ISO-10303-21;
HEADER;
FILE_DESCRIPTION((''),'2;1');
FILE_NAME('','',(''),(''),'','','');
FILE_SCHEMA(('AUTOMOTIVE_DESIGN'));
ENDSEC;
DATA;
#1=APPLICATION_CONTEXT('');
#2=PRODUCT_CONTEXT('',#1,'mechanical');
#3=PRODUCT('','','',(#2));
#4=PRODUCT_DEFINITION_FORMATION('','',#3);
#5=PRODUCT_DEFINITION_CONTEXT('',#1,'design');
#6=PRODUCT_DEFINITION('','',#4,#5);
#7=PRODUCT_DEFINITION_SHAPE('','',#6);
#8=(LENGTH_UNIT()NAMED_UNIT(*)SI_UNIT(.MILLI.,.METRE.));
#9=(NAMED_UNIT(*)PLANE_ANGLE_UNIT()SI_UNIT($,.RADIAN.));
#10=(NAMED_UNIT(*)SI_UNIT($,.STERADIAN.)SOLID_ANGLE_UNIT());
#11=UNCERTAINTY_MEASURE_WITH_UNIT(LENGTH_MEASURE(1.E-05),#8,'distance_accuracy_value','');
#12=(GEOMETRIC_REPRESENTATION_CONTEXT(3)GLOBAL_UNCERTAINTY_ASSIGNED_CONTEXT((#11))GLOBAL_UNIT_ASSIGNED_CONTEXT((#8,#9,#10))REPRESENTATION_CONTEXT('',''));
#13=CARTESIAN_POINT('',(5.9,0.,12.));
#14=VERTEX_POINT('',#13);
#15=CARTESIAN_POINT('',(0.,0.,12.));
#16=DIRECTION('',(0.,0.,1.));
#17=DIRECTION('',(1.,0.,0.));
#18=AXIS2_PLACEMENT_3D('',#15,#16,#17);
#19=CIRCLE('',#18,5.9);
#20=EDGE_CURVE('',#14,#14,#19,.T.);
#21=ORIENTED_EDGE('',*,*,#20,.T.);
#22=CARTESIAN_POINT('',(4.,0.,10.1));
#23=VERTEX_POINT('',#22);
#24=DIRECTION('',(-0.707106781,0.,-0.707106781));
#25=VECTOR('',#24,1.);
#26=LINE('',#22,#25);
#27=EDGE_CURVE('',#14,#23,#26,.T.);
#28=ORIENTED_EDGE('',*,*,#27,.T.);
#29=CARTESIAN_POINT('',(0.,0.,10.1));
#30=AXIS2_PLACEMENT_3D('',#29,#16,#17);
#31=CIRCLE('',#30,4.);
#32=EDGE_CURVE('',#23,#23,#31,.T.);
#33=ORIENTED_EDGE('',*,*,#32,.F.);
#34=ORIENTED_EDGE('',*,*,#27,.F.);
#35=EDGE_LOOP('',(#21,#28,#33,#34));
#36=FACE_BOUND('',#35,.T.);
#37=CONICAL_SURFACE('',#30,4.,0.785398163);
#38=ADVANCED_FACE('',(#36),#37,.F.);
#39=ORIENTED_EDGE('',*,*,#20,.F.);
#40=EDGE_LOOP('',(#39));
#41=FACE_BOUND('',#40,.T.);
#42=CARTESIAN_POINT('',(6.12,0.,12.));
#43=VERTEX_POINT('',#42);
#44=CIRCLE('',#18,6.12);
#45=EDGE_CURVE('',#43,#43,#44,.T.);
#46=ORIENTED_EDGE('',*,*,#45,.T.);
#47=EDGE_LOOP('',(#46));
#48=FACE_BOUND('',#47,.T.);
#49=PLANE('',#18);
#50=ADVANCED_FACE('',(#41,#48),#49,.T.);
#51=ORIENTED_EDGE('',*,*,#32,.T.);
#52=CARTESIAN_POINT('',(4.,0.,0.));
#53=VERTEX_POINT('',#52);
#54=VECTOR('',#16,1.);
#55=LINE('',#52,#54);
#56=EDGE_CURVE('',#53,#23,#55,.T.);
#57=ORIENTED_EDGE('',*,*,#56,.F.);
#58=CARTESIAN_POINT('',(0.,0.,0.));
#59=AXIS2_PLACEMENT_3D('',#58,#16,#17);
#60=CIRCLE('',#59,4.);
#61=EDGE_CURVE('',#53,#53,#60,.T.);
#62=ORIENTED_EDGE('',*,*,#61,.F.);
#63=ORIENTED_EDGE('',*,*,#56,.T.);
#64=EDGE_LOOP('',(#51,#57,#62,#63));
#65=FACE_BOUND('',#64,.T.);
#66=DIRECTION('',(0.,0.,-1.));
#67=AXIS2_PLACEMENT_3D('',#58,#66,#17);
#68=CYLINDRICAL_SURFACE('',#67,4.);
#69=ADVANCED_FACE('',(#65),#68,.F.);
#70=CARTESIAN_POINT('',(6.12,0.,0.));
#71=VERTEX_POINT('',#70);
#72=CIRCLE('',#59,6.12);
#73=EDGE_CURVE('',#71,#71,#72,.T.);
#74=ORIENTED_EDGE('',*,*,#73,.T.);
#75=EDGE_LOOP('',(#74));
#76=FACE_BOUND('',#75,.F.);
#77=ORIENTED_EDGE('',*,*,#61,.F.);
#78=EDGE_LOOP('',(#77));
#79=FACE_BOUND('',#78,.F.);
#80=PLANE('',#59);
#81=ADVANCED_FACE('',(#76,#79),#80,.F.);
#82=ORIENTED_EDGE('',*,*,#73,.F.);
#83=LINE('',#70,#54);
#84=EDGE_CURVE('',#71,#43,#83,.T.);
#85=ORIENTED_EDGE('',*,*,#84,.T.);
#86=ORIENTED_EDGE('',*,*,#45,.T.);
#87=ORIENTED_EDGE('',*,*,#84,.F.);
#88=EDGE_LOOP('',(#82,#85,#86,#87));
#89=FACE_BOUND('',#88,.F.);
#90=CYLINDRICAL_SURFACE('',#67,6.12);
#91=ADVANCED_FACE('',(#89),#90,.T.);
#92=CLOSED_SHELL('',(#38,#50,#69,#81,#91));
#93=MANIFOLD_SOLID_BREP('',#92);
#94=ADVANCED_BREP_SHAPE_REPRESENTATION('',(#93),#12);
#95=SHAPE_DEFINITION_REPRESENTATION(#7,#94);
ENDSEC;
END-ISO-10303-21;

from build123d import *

# Parameters (mm, degrees)
CYLINDER001_R     = 4
CYLINDER001_DEPTH = 12
CYLINDER_R        = 6.12
CYLINDER_DEPTH    = 12
CHAMFER_SIZE      = 1.9


with BuildPart() as cilindro001:
    # Cylinder001 → Cylinder001 (new body)
    with BuildSketch(Plane.XY):
        Circle(CYLINDER001_R)
    extrude(amount=CYLINDER001_DEPTH)


with BuildPart() as chamfer_body:
    # Cylinder → Cylinder (new body)
    with BuildSketch(Plane.XY):
        Circle(CYLINDER_R)
    extrude(amount=CYLINDER_DEPTH)

    # Cut: cut Cilindro001
    add(cilindro001.part, mode=Mode.SUBTRACT)

    # Chamfer
    chamfer_edges = [chamfer_body.edges().sort_by_distance(p)[0] for p in [
        (-4, 0, 12),
    ]]
    chamfer(chamfer_edges, length=CHAMFER_SIZE)


solid = chamfer_body.part
